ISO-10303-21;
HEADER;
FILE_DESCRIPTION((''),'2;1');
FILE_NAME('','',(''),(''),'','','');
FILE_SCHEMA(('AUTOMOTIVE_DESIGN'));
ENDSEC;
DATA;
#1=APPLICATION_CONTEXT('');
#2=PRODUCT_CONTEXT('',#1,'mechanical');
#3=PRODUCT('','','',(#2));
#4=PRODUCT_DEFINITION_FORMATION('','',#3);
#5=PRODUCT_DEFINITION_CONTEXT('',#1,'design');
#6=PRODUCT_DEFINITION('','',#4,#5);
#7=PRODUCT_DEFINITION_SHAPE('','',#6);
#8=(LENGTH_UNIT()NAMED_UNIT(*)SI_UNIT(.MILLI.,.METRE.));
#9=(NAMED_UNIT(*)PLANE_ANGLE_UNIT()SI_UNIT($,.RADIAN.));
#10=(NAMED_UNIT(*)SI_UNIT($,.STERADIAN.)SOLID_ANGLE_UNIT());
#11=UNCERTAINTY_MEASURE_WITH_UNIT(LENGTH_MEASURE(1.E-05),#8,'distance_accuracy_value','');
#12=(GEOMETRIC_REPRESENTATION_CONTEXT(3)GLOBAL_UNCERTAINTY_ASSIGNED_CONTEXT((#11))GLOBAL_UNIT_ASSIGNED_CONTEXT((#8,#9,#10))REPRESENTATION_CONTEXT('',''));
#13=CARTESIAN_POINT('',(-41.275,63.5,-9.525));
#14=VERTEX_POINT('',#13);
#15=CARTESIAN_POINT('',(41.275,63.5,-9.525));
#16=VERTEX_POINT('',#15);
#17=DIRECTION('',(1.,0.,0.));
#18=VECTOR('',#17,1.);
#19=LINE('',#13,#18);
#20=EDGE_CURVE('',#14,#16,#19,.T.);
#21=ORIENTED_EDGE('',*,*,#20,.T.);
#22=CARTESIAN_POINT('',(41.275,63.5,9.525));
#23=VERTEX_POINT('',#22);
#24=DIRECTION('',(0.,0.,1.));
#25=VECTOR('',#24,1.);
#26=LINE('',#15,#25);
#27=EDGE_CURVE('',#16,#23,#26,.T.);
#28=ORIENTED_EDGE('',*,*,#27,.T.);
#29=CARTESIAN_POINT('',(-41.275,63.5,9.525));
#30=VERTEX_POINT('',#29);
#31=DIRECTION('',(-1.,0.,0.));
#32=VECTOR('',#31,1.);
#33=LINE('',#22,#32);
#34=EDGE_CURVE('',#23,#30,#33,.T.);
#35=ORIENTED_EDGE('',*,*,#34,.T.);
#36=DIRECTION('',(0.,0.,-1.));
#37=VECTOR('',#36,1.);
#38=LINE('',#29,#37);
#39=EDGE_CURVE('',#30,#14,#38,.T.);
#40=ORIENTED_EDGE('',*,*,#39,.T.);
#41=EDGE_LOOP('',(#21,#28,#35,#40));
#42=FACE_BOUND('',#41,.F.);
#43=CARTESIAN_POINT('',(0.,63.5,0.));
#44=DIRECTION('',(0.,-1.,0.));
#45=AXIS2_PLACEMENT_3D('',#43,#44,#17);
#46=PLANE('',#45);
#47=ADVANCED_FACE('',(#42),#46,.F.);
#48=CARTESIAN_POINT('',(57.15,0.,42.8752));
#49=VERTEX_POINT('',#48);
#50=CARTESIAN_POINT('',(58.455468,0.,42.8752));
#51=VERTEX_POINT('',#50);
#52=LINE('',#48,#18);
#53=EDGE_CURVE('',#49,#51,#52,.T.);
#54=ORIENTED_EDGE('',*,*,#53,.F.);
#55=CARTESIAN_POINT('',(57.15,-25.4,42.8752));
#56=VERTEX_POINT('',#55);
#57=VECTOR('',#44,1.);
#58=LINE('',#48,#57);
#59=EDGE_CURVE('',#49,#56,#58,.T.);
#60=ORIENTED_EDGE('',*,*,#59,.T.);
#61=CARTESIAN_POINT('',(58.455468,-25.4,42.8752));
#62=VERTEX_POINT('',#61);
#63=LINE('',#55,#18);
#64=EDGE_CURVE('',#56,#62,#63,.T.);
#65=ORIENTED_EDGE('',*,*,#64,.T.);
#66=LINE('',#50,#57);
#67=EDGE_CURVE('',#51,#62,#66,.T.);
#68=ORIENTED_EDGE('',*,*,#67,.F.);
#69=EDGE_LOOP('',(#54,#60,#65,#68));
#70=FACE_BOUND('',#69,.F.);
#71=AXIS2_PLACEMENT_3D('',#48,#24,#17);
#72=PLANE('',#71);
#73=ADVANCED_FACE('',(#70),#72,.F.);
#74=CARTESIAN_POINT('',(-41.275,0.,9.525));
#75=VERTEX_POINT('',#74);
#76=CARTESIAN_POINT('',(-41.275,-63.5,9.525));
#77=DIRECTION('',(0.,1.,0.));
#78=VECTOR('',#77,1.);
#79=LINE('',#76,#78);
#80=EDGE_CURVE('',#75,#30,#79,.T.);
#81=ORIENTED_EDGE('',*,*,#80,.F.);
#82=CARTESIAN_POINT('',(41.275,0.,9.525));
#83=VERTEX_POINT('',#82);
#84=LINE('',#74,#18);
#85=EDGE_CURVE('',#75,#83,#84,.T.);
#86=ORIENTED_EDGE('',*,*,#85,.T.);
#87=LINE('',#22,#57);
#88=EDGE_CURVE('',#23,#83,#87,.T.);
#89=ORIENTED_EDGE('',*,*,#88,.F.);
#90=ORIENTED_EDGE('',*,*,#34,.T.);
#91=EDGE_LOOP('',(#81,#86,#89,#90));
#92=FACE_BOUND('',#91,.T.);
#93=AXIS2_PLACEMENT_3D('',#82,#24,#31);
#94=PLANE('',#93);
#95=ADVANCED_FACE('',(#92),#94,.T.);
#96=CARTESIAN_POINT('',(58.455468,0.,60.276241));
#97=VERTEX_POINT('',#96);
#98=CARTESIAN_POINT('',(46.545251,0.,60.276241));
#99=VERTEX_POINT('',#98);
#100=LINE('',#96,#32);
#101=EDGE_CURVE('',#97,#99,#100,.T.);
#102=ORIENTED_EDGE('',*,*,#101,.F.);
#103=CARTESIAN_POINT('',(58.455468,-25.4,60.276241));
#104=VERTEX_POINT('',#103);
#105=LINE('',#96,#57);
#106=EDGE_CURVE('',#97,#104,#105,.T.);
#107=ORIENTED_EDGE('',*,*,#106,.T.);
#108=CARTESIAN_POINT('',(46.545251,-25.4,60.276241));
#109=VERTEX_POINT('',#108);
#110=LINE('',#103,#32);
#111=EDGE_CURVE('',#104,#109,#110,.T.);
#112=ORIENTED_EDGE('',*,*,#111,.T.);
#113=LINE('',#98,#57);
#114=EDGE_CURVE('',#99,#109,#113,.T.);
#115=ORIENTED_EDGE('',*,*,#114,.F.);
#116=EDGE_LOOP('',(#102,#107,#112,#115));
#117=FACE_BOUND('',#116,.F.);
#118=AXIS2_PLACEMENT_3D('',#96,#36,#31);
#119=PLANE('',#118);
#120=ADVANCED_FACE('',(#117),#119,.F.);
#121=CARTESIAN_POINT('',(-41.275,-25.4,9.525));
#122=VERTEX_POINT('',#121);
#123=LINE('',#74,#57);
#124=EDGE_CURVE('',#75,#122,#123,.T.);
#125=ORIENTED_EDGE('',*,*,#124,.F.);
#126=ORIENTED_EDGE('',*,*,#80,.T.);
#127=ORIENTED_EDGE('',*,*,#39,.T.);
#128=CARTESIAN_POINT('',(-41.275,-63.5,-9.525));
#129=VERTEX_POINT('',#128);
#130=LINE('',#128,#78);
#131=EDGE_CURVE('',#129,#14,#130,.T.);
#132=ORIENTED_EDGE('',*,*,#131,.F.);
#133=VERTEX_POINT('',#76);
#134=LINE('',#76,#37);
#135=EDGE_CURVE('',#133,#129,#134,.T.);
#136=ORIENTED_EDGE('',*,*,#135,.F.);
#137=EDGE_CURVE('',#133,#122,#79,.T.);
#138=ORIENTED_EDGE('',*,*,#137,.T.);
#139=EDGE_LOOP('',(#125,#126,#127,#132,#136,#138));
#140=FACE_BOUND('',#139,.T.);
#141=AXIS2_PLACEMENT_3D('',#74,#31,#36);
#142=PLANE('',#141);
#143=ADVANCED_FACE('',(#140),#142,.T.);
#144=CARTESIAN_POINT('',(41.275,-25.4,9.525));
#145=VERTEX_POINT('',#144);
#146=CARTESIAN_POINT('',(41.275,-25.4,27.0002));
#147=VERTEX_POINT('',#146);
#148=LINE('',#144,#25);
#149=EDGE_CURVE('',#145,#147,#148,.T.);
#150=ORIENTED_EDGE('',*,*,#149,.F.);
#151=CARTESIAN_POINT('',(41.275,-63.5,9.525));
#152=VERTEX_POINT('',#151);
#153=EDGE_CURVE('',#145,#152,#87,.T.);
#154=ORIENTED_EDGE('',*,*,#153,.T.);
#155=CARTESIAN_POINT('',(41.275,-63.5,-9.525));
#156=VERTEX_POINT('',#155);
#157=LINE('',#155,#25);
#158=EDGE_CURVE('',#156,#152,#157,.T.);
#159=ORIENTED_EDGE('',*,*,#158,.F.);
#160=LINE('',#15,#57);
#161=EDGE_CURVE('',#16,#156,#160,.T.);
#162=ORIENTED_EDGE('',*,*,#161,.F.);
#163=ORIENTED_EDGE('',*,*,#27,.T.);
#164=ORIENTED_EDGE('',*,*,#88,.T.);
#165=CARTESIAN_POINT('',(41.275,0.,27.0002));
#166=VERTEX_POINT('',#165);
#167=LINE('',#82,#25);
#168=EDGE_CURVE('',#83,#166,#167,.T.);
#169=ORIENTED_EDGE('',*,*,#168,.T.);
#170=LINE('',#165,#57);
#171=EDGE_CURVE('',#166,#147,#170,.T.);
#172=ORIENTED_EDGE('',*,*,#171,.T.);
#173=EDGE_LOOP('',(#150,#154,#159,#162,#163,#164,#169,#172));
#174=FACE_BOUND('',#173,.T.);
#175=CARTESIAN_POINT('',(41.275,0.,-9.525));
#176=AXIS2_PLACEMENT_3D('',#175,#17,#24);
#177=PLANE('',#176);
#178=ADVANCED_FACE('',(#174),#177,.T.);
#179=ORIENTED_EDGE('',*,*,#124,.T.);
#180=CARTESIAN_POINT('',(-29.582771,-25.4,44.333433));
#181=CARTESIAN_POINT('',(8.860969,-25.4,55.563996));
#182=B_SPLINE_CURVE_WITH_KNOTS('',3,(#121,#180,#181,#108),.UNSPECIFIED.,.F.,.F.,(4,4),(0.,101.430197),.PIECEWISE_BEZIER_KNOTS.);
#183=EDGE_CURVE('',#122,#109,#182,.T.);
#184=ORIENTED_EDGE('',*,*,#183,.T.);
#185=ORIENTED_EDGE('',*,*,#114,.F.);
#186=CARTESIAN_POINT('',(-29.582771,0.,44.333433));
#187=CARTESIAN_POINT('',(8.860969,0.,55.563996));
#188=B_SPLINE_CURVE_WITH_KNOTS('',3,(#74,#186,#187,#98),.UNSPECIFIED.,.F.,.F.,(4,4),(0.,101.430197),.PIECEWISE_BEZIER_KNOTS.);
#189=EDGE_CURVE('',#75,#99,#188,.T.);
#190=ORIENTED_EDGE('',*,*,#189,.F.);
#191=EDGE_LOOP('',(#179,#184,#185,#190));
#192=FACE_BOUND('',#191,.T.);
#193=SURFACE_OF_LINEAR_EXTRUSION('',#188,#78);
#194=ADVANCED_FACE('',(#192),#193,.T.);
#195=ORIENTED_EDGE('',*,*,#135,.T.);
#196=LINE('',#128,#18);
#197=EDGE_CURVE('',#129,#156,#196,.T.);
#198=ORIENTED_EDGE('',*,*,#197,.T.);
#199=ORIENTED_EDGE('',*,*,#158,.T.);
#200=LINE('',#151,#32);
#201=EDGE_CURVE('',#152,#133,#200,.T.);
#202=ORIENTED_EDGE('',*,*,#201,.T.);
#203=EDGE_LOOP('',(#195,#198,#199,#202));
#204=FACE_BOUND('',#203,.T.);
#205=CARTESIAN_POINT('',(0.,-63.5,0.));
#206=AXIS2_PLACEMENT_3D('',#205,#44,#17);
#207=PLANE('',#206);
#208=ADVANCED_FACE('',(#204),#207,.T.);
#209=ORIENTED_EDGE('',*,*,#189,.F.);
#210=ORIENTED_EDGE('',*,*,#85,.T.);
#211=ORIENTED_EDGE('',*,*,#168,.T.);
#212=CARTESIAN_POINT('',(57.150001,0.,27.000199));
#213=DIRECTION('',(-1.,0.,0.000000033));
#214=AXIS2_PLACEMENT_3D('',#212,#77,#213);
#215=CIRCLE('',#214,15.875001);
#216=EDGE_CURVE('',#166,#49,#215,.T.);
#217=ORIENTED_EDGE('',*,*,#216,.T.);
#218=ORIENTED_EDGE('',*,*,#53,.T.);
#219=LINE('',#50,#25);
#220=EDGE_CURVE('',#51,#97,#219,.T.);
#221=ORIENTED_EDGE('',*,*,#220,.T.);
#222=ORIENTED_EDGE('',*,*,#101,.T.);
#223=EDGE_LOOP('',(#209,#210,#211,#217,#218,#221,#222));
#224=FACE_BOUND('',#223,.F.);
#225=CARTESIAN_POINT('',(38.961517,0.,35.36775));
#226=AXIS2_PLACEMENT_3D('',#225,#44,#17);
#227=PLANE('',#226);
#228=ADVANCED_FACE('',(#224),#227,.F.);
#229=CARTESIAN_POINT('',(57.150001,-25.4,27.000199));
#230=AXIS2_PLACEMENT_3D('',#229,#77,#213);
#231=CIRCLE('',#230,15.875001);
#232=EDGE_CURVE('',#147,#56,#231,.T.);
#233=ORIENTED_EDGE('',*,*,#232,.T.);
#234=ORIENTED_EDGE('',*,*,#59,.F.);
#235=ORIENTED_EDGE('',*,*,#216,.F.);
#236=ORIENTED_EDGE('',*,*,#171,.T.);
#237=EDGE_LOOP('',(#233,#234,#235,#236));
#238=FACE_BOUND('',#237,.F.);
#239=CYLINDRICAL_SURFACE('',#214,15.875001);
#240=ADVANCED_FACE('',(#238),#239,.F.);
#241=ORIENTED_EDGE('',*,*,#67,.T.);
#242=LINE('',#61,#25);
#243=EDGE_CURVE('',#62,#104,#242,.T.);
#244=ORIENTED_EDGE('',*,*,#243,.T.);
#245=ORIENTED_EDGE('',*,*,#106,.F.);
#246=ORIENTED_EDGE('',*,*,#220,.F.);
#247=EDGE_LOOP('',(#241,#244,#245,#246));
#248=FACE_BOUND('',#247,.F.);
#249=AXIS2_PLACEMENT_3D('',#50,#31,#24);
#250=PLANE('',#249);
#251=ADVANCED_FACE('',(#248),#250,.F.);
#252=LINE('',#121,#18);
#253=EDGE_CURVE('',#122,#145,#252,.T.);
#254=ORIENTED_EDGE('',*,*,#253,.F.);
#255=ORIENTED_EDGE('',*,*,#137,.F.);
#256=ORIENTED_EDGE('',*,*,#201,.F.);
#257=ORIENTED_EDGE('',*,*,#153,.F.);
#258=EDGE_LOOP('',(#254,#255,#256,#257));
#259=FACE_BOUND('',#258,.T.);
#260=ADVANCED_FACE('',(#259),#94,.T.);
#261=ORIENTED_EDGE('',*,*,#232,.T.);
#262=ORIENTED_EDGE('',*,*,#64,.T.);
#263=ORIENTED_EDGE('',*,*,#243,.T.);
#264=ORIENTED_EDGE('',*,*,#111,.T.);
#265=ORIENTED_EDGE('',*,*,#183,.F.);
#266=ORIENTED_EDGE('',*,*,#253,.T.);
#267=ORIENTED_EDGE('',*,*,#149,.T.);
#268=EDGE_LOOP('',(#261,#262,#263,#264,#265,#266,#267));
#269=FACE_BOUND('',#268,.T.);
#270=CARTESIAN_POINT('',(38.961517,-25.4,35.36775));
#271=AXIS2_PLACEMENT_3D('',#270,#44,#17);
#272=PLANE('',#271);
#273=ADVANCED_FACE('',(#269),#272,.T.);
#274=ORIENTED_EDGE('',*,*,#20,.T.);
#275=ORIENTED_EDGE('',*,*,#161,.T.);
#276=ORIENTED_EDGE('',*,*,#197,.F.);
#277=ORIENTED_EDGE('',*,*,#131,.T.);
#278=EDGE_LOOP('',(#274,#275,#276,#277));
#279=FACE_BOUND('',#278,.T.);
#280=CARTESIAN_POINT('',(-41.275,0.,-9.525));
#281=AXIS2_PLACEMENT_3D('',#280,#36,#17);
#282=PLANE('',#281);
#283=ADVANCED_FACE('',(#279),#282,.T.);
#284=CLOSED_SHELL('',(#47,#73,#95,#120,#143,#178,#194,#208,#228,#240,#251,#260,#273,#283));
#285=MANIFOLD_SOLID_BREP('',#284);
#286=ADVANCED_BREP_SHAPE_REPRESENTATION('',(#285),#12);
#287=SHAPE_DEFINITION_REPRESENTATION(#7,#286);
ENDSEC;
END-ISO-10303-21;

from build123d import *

# Parameters (mm, degrees)
F1_DEPTH = 63.5
F2_DEPTH = 25.4


with BuildPart() as f1:
    # F0 (on Front) → F1 (new body, symmetric)
    with BuildSketch(Plane.XZ):
        Polygon((-41.275, -9.525), (41.275, -9.525), (41.275, 9.525), (22.225, 9.525), (-41.275, 9.525), align=None)
    extrude(amount=F1_DEPTH, both=True)

    # F0 (on Front) → F2 (join)
    with BuildSketch(Plane.XZ):
        with BuildLine():
            Line((22.225, 9.525), (41.275, 9.525))
            Line((41.275, 9.525), (41.275, 27.0002))
            ThreePointArc((41.275, 27.0002), (45.92468, 38.22552), (57.15, 42.8752))
            Line((57.15, 42.8752), (58.455468, 42.8752))
            Line((58.455468, 42.8752), (58.455468, 60.276241))
            Line((58.455468, 60.276241), (46.545251, 60.276241))
            ThreePointArc((46.545251, 60.276241), (28.953134, 47.608266), (22.225, 27.0002))
            Line((22.225, 27.0002), (22.225, 9.525))
        make_face()
        with BuildLine():
            add(Edge.make_bspline(
                [(-41.275, 9.525), (-29.582771, 44.333433), (8.860969, 55.563996), (46.545251, 60.276241)],
                knots=[0, 0, 0, 0, 101.430197, 101.430197, 101.430197, 101.430197], degree=3))
            Line((-41.275, 9.525), (22.225, 9.525))
            Line((22.225, 9.525), (22.225, 27.0002))
            ThreePointArc((22.225, 27.0002), (28.953134, 47.608266), (46.545251, 60.276241))
        make_face()
    extrude(amount=F2_DEPTH)


solid = f1.part
